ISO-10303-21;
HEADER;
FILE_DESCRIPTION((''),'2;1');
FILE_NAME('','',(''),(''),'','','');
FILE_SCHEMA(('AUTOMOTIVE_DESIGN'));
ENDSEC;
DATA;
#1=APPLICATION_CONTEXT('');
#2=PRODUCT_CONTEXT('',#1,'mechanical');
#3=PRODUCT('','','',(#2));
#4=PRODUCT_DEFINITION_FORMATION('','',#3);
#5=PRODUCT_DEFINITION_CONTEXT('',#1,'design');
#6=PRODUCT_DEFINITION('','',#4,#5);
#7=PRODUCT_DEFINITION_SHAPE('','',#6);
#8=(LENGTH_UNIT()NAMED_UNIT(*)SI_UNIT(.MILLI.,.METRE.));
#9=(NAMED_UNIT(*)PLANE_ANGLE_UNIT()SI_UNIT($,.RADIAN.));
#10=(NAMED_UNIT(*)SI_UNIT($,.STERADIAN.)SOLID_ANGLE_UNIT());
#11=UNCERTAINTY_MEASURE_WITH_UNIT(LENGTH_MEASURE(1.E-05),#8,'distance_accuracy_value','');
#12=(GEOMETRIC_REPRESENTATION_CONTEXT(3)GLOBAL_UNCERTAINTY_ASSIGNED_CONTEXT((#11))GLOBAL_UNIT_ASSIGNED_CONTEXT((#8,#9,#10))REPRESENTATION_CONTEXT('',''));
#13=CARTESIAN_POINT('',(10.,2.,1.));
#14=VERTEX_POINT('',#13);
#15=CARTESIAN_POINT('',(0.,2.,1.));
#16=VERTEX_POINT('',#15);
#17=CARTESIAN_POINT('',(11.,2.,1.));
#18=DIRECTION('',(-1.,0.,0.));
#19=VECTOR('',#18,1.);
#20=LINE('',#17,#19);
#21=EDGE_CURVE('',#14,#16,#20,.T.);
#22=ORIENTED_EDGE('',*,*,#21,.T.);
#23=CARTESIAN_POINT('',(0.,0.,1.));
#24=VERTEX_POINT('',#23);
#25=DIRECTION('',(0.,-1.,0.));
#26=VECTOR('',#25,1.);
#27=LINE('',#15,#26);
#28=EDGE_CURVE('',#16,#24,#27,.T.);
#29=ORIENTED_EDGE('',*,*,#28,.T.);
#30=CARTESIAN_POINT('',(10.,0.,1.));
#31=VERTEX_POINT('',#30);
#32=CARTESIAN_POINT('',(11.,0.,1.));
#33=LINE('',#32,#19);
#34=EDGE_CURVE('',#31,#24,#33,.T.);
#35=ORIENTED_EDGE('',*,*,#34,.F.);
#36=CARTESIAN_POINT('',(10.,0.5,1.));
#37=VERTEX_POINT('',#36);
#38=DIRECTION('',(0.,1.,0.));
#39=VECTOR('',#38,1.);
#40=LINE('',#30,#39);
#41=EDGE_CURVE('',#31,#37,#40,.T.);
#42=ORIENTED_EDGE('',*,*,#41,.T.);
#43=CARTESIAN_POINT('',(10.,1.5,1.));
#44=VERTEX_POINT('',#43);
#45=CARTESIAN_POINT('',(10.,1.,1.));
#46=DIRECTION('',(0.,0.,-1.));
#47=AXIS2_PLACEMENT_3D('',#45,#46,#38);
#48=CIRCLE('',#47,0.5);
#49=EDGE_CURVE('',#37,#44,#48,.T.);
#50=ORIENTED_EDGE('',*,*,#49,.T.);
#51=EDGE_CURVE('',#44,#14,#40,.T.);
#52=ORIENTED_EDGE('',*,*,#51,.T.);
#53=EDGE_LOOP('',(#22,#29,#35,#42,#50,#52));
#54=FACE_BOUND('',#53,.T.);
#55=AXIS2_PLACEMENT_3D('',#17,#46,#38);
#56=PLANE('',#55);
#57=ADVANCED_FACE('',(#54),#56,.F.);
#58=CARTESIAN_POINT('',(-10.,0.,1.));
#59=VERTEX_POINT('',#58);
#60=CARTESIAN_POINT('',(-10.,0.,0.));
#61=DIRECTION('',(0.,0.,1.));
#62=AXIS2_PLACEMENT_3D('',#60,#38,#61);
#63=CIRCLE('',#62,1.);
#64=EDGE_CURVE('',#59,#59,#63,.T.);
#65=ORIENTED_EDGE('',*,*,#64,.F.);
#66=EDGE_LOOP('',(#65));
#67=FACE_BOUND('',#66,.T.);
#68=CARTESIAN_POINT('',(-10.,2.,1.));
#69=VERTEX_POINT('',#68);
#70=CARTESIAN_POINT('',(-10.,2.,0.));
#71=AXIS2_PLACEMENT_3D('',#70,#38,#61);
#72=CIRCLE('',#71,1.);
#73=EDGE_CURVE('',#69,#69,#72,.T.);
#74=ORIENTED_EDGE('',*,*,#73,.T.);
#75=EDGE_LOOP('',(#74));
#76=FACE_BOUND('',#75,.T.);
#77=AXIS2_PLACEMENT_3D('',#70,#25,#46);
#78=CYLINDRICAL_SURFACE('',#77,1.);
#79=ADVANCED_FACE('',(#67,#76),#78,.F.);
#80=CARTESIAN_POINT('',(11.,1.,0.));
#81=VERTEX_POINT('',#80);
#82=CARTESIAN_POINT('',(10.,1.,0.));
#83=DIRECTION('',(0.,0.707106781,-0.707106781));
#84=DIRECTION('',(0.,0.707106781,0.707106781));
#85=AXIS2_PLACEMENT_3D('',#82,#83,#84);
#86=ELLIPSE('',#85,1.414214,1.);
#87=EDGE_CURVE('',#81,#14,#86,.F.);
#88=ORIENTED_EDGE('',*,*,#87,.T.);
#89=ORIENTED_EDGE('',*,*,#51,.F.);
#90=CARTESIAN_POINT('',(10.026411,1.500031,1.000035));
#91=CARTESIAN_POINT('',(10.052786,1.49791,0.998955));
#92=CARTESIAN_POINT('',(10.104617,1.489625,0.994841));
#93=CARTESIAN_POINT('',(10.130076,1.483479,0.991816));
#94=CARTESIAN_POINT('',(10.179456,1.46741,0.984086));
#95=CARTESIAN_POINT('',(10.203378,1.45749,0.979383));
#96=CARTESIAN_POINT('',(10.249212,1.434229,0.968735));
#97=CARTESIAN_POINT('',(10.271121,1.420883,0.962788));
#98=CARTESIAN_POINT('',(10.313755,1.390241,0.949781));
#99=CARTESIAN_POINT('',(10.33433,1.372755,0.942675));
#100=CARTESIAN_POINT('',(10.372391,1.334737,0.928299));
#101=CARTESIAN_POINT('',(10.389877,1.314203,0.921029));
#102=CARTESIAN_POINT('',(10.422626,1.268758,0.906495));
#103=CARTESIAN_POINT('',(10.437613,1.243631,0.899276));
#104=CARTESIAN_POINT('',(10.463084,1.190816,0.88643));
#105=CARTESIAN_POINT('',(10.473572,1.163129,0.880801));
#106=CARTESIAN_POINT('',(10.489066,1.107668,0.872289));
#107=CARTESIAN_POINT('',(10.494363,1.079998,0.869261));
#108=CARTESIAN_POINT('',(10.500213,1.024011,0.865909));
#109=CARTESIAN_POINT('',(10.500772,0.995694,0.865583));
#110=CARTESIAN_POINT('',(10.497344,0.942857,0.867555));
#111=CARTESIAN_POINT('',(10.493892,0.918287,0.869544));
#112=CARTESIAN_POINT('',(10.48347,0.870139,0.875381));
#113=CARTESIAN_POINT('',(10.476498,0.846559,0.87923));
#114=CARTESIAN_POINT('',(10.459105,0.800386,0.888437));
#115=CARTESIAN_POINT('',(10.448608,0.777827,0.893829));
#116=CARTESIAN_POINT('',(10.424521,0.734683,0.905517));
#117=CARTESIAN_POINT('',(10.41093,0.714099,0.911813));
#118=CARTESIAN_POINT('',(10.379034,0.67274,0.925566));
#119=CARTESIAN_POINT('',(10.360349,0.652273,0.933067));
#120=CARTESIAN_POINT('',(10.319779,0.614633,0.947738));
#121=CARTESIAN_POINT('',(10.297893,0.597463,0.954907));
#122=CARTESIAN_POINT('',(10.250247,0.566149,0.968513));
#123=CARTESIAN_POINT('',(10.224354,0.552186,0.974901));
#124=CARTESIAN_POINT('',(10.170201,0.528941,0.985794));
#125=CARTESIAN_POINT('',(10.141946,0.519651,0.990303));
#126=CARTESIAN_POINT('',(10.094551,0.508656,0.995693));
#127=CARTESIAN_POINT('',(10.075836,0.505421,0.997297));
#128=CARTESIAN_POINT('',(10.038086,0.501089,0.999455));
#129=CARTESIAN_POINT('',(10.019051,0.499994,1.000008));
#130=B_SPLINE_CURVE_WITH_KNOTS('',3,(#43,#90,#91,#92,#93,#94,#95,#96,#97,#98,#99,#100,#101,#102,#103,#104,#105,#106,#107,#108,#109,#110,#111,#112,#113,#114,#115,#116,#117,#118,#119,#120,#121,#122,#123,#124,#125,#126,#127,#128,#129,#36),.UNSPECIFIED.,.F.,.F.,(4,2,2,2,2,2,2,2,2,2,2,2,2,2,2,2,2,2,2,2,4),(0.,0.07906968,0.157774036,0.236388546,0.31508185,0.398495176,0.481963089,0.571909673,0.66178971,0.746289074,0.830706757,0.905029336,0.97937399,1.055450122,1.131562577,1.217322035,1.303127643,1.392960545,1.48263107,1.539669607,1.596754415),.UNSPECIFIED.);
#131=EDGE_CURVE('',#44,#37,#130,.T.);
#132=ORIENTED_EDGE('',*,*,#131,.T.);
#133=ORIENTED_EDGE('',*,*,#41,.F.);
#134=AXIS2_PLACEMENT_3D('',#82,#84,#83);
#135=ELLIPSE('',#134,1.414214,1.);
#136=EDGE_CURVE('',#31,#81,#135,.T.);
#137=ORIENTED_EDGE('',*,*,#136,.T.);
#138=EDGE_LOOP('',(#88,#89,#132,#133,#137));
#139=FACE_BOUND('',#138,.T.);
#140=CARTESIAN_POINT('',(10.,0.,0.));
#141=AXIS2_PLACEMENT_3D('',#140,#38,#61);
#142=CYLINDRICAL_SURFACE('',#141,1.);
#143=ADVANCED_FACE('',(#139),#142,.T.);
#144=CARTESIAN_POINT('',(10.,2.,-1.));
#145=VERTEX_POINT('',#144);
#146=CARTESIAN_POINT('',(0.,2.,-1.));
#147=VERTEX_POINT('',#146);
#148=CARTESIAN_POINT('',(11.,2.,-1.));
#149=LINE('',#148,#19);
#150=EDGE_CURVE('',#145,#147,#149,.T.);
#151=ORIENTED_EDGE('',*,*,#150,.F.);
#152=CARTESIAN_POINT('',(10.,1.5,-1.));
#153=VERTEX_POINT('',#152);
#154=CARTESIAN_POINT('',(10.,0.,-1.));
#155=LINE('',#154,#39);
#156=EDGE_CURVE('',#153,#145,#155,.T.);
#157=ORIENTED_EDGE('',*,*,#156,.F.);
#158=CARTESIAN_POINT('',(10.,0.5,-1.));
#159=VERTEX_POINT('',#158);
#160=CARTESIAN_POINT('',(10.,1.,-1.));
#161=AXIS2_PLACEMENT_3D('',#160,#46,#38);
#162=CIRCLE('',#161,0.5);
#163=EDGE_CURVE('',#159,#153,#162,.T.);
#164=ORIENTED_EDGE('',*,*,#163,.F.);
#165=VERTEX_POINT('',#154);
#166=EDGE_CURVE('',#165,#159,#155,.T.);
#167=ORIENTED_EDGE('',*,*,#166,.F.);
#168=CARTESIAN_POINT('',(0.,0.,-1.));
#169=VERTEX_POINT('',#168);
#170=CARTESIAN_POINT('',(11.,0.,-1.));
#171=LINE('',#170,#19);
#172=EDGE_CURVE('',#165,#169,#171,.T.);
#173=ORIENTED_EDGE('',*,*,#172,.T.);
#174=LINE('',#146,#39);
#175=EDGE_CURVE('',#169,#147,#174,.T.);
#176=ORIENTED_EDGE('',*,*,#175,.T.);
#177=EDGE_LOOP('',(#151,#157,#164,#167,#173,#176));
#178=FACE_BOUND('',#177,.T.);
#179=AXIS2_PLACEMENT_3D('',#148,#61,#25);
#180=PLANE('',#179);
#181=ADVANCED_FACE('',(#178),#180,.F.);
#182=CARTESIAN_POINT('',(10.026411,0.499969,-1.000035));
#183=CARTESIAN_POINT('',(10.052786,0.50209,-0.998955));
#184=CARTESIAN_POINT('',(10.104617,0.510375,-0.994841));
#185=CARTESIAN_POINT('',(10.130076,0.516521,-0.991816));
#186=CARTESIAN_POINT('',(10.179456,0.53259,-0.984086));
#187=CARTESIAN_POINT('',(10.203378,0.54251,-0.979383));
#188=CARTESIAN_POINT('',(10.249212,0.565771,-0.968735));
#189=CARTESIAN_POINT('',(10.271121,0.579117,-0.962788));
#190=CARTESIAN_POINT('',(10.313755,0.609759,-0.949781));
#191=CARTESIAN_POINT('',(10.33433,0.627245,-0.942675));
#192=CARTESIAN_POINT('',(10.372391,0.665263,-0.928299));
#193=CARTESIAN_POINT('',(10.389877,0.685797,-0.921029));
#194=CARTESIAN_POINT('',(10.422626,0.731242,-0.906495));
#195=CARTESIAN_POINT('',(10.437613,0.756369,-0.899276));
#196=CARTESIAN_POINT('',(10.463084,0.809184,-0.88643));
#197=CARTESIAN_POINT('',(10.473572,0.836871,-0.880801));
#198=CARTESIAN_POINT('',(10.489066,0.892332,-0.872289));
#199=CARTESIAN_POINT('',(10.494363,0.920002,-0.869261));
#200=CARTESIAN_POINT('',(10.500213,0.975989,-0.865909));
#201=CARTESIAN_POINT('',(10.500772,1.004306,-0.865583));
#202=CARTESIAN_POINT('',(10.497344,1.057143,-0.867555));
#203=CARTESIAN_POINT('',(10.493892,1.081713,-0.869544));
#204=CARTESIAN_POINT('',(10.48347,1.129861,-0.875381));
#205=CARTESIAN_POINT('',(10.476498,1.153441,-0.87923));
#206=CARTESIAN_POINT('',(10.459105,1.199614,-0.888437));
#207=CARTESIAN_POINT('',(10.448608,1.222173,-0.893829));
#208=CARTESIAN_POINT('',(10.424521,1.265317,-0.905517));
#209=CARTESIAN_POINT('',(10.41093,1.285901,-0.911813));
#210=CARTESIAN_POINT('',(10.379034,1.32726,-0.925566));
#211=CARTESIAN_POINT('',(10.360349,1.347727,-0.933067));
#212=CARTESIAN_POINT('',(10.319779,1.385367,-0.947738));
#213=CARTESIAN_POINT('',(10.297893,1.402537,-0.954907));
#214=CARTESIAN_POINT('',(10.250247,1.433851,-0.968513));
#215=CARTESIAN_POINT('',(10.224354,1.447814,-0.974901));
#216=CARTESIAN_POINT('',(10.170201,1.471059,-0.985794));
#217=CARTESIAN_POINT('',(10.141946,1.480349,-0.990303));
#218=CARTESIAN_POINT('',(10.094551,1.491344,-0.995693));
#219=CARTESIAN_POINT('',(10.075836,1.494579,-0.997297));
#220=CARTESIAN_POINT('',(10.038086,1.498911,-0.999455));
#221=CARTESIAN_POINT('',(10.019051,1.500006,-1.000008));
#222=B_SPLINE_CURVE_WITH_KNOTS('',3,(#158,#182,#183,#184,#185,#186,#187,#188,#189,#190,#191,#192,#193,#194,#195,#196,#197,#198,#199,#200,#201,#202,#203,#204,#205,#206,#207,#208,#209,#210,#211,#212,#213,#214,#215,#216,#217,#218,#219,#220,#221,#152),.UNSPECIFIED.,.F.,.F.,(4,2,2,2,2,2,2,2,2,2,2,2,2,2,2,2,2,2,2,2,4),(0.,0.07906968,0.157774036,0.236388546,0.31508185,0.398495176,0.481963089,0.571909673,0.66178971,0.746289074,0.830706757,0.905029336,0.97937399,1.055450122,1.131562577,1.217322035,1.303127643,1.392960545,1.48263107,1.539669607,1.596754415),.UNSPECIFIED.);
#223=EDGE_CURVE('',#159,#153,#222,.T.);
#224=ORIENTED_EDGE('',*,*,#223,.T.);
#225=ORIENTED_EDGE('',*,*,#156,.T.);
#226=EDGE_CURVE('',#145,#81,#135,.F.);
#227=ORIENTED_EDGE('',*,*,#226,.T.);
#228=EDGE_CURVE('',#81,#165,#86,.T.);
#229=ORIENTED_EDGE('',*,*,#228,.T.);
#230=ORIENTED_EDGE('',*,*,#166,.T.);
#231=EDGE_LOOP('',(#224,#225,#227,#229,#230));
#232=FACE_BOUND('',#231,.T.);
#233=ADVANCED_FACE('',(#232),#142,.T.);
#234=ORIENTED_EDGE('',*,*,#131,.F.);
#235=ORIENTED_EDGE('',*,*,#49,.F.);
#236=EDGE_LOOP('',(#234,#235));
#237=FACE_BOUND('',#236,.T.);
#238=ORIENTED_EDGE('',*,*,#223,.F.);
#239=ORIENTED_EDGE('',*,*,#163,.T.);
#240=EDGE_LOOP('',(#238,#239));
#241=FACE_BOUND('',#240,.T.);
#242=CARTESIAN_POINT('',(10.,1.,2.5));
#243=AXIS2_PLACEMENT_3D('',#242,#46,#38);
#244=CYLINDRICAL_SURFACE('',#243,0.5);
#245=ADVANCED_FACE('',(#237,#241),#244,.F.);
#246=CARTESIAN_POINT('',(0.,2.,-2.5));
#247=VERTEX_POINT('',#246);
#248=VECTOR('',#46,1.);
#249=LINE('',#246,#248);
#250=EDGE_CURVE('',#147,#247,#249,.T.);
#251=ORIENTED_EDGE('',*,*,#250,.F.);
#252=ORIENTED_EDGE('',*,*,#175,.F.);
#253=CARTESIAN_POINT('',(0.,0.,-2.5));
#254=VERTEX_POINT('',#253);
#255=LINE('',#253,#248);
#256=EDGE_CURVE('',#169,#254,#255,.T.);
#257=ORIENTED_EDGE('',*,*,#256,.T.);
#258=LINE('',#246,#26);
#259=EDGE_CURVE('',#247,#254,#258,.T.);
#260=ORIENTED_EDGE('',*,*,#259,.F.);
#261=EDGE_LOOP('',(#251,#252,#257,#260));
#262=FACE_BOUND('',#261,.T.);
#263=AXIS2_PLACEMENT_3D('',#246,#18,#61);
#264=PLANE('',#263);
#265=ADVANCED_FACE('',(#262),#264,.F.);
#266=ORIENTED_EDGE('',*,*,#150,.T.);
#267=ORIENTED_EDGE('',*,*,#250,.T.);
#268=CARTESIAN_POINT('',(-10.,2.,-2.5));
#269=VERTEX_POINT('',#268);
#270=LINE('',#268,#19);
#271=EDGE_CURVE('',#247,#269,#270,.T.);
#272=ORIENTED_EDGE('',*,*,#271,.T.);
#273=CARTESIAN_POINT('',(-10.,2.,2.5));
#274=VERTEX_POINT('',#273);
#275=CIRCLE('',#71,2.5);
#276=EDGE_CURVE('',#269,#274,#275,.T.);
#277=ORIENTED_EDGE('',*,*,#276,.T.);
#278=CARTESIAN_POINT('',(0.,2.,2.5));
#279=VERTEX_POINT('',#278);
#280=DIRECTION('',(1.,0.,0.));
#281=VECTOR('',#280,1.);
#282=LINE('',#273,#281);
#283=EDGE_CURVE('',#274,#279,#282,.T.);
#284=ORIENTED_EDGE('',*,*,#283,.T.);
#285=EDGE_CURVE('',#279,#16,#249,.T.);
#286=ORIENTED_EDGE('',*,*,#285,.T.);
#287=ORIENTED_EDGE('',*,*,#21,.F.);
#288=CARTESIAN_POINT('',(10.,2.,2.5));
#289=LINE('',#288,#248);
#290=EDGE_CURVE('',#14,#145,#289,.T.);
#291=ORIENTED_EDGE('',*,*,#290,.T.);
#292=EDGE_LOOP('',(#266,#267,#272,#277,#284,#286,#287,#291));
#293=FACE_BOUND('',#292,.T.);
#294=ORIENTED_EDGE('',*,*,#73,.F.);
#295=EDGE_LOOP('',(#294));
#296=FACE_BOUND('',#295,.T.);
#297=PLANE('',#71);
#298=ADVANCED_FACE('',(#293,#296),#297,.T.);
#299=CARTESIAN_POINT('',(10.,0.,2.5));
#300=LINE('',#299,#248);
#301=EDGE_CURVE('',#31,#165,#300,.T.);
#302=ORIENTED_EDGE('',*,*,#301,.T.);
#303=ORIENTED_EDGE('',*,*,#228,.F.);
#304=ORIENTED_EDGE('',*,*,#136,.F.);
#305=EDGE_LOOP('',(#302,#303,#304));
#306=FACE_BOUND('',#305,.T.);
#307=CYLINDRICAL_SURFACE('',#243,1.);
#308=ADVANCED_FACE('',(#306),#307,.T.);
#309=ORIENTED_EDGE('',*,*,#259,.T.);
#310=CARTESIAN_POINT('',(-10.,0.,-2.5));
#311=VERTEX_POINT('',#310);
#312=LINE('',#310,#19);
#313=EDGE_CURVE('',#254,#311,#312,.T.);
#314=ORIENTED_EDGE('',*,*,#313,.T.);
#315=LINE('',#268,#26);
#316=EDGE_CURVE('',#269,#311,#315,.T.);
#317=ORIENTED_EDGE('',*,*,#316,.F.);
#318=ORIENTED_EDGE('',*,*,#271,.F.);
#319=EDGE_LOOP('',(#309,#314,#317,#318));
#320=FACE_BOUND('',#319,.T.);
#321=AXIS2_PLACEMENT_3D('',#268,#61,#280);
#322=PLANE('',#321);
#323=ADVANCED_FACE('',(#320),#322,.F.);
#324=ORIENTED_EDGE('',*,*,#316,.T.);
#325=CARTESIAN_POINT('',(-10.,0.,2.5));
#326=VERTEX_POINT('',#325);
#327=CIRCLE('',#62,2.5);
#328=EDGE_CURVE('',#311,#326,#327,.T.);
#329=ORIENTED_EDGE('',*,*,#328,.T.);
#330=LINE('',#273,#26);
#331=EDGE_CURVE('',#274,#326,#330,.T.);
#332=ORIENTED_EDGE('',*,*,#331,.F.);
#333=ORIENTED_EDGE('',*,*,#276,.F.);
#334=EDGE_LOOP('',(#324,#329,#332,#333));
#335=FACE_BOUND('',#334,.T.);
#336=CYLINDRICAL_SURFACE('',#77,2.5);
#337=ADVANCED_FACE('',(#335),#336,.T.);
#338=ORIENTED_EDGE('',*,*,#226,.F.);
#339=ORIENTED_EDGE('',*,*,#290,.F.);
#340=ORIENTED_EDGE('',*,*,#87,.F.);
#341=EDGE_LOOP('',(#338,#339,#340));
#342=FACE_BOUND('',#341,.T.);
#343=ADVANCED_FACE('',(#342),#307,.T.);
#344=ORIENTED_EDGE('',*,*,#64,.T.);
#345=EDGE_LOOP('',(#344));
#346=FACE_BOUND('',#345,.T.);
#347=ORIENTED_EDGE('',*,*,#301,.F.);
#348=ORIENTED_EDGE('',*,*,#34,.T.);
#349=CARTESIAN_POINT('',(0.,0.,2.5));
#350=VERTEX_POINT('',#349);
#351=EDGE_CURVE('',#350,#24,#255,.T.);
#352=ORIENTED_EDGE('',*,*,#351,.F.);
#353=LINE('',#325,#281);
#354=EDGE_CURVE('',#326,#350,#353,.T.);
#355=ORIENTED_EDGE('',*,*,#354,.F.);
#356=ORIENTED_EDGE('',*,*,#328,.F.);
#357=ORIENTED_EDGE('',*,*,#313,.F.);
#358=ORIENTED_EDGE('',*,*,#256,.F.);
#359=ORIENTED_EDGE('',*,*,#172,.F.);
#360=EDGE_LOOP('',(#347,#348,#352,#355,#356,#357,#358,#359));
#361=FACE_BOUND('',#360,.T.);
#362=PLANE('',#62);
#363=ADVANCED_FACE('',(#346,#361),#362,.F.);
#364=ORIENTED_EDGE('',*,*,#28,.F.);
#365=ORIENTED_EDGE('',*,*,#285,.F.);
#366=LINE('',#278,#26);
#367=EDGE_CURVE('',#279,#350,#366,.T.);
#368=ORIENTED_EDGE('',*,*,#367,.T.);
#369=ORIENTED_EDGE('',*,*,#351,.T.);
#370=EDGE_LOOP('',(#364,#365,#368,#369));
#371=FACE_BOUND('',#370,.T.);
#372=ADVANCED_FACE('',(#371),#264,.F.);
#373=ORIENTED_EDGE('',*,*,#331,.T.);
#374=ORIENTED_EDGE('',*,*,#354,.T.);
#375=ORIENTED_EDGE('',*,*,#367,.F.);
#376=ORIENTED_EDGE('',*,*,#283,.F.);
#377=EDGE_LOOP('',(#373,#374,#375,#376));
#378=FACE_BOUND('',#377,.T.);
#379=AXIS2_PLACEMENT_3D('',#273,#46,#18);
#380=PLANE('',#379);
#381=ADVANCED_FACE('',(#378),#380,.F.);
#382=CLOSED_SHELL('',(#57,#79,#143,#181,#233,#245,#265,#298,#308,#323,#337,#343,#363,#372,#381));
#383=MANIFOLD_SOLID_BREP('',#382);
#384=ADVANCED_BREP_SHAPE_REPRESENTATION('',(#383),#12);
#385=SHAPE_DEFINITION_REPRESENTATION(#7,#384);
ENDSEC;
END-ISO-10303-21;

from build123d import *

# Parameters (mm, degrees)
SKETCH1_R               = 1
BOSS_EXTRUDE1_DEPTH     = 2
SKETCH4_W               = 2
SKETCH4_H               = 2
BOSS_EXTRUDE2_DEPTH     = 11
CUT_EXTRUDE1_DEPTH      = 13.903487901
CUT_EXTRUDE1_DEPTH_BACK = 13.903487901
CUT_EXTRUDE2_DEPTH      = 14.133925537
CUT_EXTRUDE2_DEPTH_BACK = 14.133925537
CUT_EXTRUDE3_DEPTH      = 14.133925537
CUT_EXTRUDE3_DEPTH_BACK = 14.133925537
SKETCH7_R               = 0.5


with BuildPart() as part:
    # Sketch1 → Boss-Extrude1 (new body)
    with BuildSketch(Plane(origin=(0, 0, 0), x_dir=(1, 0, 0), z_dir=(0, 1, 0))):
        with BuildLine():
            Line((-10, 2.5), (0, 2.5))
            Line((0, 2.5), (0, -2.5))
            Line((0, -2.5), (-10, -2.5))
            ThreePointArc((-10, -2.5), (-12.5, 0), (-10, 2.5))
        make_face()
        with Locations(Location((-10, 0, 0), (0, 0, 270))):
            Circle(SKETCH1_R, mode=Mode.SUBTRACT)
    extrude(amount=BOSS_EXTRUDE1_DEPTH)

    # Sketch4 → Boss-Extrude2 (add)
    with BuildSketch(Plane(origin=(0, 0, 0), x_dir=(0, 0, -1), z_dir=(1, 0, 0))):
        with Locations((0, 1)):
            Rectangle(SKETCH4_W, SKETCH4_H)
    extrude(amount=BOSS_EXTRUDE2_DEPTH)

    # Sketch5 → Cut-Extrude1 (cut, two sides: drawn at the far end of the back side and taken through both)
    with BuildSketch(Plane(origin=(0, 2, 0), x_dir=(1, 0, 0), z_dir=(0, 1, 0)).offset(-CUT_EXTRUDE1_DEPTH_BACK)):
        with BuildLine():
            Line((10, 1), (10, 1.5))
            Line((10, 1.5), (12, 1.5))
            Line((12, 1.5), (12, -1.5))
            Line((12, -1.5), (10, -1.5))
            Line((10, -1.5), (10, -1))
            ThreePointArc((10, -1), (11, 0), (10, 1))
        make_face()
    extrude(amount=CUT_EXTRUDE1_DEPTH + CUT_EXTRUDE1_DEPTH_BACK, mode=Mode.SUBTRACT)

    # Sketch6 → Cut-Extrude2 (cut, two sides: drawn at the far end of the back side and taken through both)
    with BuildSketch(Plane(origin=(0, 0, -1), x_dir=(-1, 0, 0), z_dir=(0, 0, -1)).offset(-CUT_EXTRUDE2_DEPTH_BACK)):
        with BuildLine():
            Line((-10, 2), (-10, 2.5))
            Line((-10, 2.5), (-12, 2.5))
            Line((-12, 2.5), (-12, -0.5))
            Line((-12, -0.5), (-10, -0.5))
            Line((-10, -0.5), (-10, 0))
            ThreePointArc((-10, 0), (-11, 1), (-10, 2))
        make_face()
    extrude(amount=CUT_EXTRUDE2_DEPTH + CUT_EXTRUDE2_DEPTH_BACK, mode=Mode.SUBTRACT)

    # Sketch7 → Cut-Extrude3 (cut, two sides: drawn at the far end of the back side and taken through both)
    with BuildSketch(Plane(origin=(0, 0, -1), x_dir=(-1, 0, 0), z_dir=(0, 0, -1)).offset(-CUT_EXTRUDE3_DEPTH_BACK)):
        with Locations(Location((-10, 1, 0), (0, 0, 90))):
            Circle(SKETCH7_R)
    extrude(amount=CUT_EXTRUDE3_DEPTH + CUT_EXTRUDE3_DEPTH_BACK, mode=Mode.SUBTRACT)


solid = part.part
